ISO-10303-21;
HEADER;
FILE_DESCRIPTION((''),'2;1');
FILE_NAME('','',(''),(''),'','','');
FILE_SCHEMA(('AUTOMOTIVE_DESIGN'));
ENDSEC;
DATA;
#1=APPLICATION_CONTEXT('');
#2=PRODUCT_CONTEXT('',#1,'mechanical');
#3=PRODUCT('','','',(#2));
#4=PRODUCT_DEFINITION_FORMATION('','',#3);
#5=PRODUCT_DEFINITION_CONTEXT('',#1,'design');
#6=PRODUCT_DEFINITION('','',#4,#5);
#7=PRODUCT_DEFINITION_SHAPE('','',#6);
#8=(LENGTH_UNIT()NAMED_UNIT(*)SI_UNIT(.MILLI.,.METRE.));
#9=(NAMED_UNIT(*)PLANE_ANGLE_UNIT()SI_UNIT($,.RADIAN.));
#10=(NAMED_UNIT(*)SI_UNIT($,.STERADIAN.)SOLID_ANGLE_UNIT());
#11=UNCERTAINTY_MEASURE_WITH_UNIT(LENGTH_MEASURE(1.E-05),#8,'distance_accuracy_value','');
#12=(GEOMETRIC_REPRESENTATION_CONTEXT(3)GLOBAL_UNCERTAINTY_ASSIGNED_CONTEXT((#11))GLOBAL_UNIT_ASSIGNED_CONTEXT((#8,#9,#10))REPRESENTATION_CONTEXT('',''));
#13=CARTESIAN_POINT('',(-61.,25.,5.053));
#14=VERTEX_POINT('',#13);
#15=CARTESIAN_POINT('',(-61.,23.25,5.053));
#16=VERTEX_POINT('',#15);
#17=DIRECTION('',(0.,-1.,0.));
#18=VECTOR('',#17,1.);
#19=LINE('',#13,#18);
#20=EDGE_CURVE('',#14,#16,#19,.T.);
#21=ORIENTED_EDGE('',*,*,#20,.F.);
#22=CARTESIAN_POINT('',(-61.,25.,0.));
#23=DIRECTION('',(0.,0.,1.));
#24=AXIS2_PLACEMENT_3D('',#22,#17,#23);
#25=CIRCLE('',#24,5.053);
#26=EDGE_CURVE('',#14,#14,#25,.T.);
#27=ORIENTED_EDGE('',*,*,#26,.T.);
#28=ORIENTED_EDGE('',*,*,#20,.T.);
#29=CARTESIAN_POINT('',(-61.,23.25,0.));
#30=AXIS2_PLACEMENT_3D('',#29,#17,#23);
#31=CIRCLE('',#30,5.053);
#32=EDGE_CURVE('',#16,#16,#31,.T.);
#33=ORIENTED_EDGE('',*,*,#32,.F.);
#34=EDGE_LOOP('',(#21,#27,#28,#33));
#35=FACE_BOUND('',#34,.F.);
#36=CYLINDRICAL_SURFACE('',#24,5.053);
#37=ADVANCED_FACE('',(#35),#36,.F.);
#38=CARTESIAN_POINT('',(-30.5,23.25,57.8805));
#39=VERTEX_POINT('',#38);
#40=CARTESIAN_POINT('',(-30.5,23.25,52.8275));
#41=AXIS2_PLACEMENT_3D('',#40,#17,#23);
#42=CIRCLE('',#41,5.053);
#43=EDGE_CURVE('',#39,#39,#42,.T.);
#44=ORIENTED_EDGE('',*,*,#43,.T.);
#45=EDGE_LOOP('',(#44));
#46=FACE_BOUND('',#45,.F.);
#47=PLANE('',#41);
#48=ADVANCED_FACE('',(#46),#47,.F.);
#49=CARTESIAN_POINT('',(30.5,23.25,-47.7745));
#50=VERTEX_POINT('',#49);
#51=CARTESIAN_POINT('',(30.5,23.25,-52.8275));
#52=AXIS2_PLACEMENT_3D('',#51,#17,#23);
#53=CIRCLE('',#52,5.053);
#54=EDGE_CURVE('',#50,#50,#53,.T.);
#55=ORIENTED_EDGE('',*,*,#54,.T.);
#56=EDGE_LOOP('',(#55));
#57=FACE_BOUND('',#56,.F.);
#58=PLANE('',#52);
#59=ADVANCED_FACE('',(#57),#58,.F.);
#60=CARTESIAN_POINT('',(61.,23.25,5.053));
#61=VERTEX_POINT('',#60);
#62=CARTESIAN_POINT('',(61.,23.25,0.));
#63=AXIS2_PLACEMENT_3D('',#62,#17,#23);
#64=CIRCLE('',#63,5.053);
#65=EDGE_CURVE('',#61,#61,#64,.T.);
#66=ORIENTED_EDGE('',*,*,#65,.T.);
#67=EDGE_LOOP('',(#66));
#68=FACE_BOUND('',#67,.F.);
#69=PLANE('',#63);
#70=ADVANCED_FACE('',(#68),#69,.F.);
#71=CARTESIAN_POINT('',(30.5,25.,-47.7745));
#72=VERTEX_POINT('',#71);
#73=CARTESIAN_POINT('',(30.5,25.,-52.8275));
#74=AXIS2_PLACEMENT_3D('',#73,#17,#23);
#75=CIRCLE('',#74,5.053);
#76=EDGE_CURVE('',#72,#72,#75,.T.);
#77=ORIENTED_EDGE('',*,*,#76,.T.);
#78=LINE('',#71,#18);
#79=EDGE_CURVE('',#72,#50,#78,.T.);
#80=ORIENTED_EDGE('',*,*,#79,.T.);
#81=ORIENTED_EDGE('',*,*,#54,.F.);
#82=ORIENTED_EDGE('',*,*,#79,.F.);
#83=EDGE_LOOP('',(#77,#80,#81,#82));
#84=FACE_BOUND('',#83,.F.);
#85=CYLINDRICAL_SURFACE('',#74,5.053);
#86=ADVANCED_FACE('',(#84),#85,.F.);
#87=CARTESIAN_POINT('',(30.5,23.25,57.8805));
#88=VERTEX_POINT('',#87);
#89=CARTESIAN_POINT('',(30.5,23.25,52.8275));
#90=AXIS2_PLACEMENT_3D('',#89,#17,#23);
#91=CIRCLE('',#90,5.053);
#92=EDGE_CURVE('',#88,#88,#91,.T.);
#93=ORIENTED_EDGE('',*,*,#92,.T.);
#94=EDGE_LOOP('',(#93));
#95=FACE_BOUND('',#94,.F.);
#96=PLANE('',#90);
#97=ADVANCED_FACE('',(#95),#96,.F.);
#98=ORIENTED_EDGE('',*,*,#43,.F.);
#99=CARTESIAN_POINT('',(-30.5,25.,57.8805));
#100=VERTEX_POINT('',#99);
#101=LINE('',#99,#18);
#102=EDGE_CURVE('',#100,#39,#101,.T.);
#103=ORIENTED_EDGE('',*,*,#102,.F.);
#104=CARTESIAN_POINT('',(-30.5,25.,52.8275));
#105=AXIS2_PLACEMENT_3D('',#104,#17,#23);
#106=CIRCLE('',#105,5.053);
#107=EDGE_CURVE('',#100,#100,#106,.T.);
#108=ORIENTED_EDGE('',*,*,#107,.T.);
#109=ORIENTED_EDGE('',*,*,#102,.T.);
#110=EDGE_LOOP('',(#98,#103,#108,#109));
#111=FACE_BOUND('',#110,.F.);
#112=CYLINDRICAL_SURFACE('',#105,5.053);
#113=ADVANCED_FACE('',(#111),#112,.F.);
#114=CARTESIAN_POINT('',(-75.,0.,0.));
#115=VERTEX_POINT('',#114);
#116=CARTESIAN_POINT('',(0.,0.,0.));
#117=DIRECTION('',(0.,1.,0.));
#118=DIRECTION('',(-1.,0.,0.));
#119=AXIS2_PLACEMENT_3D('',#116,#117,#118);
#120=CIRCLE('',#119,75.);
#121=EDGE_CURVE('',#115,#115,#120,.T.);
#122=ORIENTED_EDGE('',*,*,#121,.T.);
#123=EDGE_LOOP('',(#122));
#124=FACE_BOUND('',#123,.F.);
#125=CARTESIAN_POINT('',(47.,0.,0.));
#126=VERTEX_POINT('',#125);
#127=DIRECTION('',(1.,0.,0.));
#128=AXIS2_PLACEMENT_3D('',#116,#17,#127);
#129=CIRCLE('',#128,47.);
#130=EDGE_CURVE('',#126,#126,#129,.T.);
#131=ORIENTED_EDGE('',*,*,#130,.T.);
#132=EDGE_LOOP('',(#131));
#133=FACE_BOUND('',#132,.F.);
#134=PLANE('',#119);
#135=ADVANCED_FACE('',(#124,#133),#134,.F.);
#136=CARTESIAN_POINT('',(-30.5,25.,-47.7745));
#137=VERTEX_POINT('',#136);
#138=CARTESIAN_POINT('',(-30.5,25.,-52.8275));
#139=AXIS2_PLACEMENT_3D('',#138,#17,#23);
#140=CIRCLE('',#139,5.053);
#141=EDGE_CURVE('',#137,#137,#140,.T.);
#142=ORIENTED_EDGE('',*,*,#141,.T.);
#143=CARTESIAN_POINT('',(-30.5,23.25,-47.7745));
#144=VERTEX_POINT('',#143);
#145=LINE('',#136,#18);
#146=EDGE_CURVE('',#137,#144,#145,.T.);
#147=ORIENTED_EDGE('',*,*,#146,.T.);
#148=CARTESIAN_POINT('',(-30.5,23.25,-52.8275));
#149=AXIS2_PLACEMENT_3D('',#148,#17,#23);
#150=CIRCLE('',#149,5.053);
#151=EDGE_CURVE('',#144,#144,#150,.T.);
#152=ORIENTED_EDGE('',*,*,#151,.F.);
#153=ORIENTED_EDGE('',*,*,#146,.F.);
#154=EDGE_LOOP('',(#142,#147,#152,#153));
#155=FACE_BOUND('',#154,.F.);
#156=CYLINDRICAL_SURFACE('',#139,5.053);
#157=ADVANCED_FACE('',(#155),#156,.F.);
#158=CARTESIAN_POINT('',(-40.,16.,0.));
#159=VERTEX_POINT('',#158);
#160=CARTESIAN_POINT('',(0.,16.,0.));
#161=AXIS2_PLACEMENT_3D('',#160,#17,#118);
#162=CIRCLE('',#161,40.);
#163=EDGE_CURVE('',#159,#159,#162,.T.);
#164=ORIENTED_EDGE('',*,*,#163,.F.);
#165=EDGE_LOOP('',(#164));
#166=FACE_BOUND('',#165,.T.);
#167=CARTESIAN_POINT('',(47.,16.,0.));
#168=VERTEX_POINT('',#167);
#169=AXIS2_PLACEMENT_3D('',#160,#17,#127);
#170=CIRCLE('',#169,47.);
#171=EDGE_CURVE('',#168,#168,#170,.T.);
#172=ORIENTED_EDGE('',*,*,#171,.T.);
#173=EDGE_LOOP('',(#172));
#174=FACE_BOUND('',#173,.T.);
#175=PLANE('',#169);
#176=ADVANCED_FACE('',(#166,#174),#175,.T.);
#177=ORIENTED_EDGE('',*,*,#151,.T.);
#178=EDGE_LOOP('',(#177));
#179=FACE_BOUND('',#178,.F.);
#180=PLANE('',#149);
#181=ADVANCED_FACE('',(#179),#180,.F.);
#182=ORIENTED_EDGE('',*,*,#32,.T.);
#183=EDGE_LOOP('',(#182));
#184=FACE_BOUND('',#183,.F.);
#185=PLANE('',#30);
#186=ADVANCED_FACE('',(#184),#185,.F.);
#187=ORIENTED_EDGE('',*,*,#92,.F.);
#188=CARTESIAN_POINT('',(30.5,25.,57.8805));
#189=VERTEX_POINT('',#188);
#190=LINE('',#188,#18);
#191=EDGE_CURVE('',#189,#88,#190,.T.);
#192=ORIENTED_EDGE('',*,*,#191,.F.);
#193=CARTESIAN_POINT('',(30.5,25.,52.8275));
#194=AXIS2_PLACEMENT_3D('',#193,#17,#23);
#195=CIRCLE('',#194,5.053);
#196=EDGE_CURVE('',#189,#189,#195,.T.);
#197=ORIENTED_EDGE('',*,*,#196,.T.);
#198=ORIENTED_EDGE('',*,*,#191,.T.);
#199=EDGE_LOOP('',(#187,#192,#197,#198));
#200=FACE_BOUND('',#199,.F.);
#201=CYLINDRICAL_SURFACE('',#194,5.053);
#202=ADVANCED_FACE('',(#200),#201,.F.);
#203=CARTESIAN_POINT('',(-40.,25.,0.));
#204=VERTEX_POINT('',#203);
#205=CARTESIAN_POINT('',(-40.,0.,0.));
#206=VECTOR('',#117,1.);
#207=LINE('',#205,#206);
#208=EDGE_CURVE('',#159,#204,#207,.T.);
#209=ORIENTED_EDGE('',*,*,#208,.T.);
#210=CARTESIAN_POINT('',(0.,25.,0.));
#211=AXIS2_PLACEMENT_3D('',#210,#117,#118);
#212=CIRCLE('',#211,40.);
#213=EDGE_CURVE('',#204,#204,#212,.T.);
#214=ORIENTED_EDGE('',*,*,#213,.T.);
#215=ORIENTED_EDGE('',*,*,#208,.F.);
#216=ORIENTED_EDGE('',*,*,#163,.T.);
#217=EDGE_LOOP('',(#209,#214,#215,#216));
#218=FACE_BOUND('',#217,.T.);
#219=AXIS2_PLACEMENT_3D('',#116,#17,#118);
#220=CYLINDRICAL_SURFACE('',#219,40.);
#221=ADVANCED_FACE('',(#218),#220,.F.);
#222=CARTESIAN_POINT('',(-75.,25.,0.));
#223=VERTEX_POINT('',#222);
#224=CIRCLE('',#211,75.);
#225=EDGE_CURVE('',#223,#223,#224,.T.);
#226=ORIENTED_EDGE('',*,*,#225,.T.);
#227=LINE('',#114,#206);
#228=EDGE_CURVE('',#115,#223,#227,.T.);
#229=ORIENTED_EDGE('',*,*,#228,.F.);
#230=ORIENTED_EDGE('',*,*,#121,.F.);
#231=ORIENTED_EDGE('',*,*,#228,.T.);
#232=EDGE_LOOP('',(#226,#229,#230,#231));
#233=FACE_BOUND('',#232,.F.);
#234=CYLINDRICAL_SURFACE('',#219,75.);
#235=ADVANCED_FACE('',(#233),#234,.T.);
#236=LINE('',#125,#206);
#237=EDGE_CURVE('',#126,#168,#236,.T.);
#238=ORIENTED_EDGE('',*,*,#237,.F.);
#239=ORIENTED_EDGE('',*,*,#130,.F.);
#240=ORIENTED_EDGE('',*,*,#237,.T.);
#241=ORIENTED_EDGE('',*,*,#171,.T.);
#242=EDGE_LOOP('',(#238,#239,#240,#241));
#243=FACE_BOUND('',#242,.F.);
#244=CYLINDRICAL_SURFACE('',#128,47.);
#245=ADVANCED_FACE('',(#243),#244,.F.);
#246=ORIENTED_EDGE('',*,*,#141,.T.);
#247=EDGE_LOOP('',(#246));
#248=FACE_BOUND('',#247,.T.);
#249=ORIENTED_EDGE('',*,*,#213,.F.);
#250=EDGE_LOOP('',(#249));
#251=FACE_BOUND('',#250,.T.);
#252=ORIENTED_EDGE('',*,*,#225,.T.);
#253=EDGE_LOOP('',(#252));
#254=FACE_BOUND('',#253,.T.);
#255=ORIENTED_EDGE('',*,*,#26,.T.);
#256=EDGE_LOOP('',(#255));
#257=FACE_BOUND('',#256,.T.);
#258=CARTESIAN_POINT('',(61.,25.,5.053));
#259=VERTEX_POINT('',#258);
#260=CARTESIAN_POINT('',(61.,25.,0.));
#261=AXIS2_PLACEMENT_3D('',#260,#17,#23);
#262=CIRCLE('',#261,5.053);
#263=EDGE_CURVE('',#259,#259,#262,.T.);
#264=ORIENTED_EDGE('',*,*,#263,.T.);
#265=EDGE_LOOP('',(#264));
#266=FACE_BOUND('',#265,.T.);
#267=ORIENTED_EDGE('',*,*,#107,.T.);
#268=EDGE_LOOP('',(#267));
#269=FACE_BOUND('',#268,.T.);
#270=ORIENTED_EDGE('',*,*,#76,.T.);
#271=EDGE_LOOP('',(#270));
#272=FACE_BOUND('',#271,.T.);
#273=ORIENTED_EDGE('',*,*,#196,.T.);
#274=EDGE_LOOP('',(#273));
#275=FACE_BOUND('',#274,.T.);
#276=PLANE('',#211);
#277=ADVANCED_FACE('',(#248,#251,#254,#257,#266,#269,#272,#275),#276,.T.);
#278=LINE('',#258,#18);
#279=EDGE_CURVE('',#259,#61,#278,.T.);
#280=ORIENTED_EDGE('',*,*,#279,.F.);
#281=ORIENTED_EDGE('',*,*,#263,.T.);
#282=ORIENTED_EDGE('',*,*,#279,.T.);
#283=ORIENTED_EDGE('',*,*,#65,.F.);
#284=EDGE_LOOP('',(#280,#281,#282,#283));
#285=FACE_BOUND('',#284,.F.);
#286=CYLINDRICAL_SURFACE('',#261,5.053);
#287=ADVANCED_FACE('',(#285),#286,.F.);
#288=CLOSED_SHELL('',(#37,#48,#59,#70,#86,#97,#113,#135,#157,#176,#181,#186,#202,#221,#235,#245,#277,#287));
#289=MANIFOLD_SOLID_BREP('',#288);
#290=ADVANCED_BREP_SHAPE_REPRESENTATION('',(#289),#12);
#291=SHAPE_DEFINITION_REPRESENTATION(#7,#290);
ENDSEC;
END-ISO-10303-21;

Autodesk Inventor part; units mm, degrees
ref_plane "YZ Plane" through (0, 0, 0) normal (1, 0, 0) x (0, 1, 0)
ref_plane "XZ Plane" through (0, 0, 0) normal (0, 1, 0) x (-1, 0, 0)
ref_plane "XY Plane" through (0, 0, 0) normal (0, 0, 1) x (1, 0, 0)
sketch "Boceto1" plane through (0, 0, 0) normal (0, 1, 0) x (-1, 0, 0)
  circle A0 centre (0, 0) radius 75
  circle A1 centre (0, 0) radius 40
  dimension "d0" = 150
  dimension "d1" = 80
extrude "Extrusión1" add sketch "Boceto1" along normal blind 25
sketch "Boceto2" plane through (0, 0, 0) normal (0, -1, 0) x (1, 0, 0)
  circle A0 centre (0, 0) radius 47
  dimension "d4" = 94
extrude "Extrusión2" cut sketch "Boceto2" against normal blind 16
sketch "Boceto3" plane through (0, 25, 0) normal (0, 1, 0) x (1, 0, 0)
  circle A0 centre (0, 0) radius 61
  line L0 (0, 0) -> (61, 0) construction
  point P0 (30.5, 52.8275)
  point P1 (-30.5, 52.8275)
  point P2 (-61, 0)
  point P3 (-30.5, -52.8275)
  point P4 (30.5, -52.8275)
  dimension "d7" = 122
  dimension "d10" = 360
hole "Agujero1" at (61, 25, 0) at (30.5, 25, -52.8275) at (-30.5, 25, -52.8275) at (-61, 25, 0) at (-30.5, 25, 52.8275) at (30.5, 25, 52.8275) direction (0, -1, 0) diameter 10.106 depth 1.75 thread size "M12x1.75" class "6H" standard "ISO Metric profile"
properties part number "9_AnilloComplementarioA"
